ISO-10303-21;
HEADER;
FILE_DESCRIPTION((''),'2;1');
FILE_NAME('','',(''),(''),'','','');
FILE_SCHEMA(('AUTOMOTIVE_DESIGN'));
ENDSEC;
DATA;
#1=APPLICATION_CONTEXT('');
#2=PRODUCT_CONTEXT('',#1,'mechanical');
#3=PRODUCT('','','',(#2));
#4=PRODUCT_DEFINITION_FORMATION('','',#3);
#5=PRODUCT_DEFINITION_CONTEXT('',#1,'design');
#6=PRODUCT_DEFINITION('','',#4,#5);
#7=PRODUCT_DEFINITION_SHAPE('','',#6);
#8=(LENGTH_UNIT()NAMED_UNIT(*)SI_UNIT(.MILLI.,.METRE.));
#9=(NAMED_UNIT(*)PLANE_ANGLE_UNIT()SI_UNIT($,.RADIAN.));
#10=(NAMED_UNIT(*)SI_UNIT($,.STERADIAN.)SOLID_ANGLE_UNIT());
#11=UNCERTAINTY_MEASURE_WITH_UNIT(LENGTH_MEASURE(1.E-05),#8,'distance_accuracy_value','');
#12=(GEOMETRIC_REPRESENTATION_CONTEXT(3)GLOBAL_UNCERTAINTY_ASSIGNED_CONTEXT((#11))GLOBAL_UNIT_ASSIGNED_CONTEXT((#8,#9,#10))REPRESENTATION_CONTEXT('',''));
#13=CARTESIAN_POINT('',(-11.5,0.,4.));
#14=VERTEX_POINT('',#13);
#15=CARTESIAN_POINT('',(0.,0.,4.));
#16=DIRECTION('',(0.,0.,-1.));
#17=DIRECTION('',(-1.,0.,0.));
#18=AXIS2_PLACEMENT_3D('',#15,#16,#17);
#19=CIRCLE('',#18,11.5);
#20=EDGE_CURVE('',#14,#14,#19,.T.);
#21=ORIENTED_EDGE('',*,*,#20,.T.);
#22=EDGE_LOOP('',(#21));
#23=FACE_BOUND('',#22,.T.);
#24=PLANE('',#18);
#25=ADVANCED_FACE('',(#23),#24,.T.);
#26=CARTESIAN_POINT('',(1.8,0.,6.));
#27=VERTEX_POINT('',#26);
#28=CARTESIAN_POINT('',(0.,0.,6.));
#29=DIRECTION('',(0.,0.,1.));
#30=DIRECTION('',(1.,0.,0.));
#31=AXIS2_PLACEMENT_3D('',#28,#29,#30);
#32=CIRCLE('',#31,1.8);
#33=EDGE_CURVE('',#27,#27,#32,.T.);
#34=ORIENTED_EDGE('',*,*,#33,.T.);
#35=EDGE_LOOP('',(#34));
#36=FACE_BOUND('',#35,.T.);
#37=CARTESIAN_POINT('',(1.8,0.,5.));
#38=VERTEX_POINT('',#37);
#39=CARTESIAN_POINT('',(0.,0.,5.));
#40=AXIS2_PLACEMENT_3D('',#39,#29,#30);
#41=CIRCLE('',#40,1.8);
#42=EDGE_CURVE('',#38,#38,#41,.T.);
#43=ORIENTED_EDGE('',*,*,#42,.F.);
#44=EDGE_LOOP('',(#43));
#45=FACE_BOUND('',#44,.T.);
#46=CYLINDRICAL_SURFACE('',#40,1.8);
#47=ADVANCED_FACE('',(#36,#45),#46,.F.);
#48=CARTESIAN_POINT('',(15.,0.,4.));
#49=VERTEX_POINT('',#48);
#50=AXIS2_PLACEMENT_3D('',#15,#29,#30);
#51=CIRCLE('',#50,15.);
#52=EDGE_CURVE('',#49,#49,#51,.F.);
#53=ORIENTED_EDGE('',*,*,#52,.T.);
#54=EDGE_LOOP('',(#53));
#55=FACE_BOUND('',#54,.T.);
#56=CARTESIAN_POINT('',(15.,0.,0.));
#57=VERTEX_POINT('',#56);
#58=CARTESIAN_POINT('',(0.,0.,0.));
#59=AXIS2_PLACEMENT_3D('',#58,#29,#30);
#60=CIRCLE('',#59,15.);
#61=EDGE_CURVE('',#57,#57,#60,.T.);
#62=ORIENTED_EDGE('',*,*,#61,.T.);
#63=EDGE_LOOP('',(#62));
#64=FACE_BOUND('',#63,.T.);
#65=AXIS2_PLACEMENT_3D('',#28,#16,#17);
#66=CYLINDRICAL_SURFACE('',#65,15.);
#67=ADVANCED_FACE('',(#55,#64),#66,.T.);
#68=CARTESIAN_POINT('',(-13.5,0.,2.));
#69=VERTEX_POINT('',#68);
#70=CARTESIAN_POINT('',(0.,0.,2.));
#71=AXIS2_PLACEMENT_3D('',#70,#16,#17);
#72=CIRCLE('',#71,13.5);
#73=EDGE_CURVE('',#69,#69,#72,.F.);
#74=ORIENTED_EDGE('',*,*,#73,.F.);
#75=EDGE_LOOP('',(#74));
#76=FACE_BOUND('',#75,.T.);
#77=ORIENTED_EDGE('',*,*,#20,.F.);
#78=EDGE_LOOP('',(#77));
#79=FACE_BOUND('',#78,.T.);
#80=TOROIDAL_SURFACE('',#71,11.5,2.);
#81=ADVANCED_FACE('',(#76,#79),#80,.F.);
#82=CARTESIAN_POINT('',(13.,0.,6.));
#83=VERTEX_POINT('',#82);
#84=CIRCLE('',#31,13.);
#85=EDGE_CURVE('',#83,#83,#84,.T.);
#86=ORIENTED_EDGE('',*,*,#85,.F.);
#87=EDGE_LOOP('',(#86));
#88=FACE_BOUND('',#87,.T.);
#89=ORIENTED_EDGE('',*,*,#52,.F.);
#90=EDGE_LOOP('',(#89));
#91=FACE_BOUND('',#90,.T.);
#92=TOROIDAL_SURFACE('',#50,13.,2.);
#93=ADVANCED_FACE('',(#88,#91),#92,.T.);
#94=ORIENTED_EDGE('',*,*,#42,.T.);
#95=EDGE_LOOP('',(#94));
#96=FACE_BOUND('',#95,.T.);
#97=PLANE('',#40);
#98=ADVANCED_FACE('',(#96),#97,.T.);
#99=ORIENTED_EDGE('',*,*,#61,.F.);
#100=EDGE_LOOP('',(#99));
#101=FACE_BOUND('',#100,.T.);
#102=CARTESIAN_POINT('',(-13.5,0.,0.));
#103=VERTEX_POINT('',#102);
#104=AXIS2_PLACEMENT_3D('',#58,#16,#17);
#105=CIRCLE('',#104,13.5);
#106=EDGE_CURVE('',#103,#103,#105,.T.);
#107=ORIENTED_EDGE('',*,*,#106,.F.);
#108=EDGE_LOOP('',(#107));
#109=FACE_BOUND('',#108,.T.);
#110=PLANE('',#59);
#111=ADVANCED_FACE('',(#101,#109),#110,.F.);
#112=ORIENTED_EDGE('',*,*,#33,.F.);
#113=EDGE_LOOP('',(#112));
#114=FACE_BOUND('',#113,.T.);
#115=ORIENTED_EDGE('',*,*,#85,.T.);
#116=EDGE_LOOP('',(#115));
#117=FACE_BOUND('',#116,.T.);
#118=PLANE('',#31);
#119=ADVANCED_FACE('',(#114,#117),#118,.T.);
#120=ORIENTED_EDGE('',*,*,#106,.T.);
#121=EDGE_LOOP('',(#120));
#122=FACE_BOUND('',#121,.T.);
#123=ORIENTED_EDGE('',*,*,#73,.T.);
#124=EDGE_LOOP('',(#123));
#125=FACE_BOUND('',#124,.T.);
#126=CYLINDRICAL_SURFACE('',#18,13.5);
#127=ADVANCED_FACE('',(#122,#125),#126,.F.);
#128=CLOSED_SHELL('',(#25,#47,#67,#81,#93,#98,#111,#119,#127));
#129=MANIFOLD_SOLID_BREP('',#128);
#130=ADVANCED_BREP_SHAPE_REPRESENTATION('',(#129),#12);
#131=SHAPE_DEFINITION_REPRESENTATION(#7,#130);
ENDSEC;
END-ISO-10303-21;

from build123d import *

# Parameters (mm, degrees)
SKETCH1_R           = 15
BOSS_EXTRUDE1_DEPTH = 6
FILLET1_R           = 2
SKETCH2_R           = 13.5
CUT_EXTRUDE1_DEPTH  = 4
FILLET2_R           = 2
SKETCH4_R           = 1.8
CUT_EXTRUDE3_DEPTH  = 1


with BuildPart() as part:
    # Sketch1 → Boss-Extrude1 (new body)
    with BuildSketch(Plane.XY):
        Circle(SKETCH1_R)
    extrude(amount=BOSS_EXTRUDE1_DEPTH)

    # Fillet1
    fillet1_edges = [part.edges().sort_by_distance(p)[0] for p in [
        (-15, 0, 6),
    ]]
    fillet(fillet1_edges, radius=FILLET1_R)

    # Sketch2 → Cut-Extrude1 (cut)
    with BuildSketch(Plane(origin=(0, 0, 0), x_dir=(-1, 0, 0), z_dir=(0, 0, -1))):
        Circle(SKETCH2_R)
    extrude(amount=-CUT_EXTRUDE1_DEPTH, mode=Mode.SUBTRACT)

    # Fillet2
    fillet2_edges = [part.edges().sort_by_distance(p)[0] for p in [
        (13.5, 0, 4),
    ]]
    fillet(fillet2_edges, radius=FILLET2_R)

    # Sketch4 → Cut-Extrude3 (cut)
    with BuildSketch(Plane.XY.offset(6)):
        Circle(SKETCH4_R)
    extrude(amount=-CUT_EXTRUDE3_DEPTH, mode=Mode.SUBTRACT)


solid = part.part
